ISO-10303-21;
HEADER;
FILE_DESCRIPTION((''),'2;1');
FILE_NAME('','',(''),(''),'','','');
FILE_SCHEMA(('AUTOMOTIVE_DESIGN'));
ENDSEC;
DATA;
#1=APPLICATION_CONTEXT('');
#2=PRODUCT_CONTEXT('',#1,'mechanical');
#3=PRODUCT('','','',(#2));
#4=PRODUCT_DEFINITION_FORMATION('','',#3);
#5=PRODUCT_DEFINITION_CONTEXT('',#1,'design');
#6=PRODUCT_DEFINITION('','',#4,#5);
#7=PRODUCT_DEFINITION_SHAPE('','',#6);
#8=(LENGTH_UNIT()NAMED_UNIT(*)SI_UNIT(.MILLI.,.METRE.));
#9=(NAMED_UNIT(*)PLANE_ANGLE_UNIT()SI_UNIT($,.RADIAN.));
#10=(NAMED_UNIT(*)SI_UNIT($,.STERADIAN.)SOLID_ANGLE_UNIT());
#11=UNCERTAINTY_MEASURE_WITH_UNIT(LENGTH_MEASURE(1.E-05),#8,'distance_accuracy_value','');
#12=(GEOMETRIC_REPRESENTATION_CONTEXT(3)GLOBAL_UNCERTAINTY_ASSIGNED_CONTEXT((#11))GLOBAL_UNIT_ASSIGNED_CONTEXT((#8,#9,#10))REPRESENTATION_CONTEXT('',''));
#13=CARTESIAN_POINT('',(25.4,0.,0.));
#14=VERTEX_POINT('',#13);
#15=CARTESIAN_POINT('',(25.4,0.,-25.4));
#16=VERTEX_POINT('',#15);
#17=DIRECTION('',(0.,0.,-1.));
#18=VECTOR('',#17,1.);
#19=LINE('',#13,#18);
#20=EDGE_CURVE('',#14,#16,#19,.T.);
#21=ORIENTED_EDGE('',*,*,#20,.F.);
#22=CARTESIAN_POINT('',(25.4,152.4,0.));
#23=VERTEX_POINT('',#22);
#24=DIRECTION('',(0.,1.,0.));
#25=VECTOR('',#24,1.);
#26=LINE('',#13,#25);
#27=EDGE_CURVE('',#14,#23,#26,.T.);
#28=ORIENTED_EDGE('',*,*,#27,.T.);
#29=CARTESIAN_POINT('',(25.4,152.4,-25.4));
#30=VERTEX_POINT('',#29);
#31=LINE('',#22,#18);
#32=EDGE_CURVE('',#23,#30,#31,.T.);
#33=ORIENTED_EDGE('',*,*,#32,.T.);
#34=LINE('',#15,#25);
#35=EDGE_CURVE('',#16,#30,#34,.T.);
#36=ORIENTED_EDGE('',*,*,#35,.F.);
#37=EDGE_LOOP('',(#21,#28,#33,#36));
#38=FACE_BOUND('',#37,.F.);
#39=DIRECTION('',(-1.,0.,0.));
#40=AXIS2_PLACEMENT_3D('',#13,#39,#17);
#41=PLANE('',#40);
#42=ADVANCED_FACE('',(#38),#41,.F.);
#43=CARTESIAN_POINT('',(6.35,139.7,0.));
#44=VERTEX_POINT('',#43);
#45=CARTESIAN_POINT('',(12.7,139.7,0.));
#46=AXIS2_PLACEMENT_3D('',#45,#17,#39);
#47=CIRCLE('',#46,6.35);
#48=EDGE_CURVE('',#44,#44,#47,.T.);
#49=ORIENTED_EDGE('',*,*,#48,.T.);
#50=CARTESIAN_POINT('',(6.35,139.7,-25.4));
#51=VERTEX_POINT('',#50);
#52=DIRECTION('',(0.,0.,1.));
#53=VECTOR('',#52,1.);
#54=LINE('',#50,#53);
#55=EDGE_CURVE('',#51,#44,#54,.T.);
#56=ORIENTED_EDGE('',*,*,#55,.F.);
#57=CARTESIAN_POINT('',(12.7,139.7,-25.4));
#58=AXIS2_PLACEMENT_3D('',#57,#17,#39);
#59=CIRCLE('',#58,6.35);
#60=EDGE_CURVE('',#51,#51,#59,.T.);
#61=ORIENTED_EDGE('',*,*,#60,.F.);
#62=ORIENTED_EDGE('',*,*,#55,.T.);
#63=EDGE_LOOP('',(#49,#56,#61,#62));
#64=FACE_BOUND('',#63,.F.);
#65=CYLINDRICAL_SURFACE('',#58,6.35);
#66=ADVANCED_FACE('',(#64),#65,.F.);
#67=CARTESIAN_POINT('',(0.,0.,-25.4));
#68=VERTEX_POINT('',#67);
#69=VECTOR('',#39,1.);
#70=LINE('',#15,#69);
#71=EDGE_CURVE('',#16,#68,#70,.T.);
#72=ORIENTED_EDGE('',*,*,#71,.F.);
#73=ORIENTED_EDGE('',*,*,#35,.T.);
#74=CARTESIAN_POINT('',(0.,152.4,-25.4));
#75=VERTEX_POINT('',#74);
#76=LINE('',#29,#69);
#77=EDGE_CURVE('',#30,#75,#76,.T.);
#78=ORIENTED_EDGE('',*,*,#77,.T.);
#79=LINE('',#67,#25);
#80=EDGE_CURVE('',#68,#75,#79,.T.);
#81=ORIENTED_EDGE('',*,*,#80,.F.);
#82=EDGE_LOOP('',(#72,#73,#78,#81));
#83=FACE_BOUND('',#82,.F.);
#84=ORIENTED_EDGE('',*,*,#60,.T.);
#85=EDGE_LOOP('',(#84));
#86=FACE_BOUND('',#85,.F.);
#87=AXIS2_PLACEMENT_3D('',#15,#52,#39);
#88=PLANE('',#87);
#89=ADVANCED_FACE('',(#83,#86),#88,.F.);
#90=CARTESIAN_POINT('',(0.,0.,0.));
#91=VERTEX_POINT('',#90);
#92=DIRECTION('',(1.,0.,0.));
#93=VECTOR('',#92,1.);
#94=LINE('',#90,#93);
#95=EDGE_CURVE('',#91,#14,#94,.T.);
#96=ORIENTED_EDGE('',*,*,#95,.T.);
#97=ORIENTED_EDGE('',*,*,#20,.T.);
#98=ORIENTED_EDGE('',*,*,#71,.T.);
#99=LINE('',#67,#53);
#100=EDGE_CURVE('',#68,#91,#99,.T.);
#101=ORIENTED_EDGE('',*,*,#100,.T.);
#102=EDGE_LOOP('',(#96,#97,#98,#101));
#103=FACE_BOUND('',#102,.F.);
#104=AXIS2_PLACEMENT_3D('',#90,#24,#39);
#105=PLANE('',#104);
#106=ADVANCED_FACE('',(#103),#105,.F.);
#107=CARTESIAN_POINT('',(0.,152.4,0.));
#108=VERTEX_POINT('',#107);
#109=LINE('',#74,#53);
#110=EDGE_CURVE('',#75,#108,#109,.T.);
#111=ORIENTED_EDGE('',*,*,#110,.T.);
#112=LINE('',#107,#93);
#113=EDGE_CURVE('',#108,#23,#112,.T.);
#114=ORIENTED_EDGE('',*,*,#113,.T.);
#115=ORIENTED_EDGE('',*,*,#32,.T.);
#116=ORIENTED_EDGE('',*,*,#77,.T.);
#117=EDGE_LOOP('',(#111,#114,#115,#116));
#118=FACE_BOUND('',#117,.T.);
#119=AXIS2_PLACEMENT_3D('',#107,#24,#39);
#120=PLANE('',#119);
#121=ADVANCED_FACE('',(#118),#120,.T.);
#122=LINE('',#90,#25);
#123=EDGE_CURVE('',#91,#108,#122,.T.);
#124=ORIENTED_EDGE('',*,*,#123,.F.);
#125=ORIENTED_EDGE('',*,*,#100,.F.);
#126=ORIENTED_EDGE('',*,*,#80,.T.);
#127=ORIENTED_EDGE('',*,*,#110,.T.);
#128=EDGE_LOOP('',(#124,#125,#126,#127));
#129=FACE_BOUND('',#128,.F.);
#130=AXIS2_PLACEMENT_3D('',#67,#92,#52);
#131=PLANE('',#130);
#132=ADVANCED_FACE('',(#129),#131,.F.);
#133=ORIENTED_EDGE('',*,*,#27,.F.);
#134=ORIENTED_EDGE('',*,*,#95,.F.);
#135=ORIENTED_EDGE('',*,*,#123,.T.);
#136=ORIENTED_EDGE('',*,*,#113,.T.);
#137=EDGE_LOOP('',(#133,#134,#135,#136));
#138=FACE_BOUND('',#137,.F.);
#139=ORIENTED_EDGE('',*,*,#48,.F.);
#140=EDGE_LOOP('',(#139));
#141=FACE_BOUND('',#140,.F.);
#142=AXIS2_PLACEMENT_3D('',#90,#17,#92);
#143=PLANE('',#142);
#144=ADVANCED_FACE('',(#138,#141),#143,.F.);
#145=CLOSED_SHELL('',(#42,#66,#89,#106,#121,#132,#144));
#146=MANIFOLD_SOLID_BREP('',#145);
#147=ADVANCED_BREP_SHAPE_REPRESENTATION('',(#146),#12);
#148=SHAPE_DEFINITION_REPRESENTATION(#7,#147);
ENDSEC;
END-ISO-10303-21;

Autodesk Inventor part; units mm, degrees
ref_plane "YZ Plane" through (0, 0, 0) normal (1, 0, 0) x (0, 1, 0)
ref_plane "XZ Plane" through (0, 0, 0) normal (0, 1, 0) x (-1, 0, 0)
ref_plane "XY Plane" through (0, 0, 0) normal (0, 0, 1) x (1, 0, 0)
sketch "Sketch1" plane through (0, 0, 0) normal (0, 1, 0) x (-1, 0, 0)
  line L0 (0, 0) -> (-25.4, 0)
  line L1 (-25.4, 0) -> (-25.4, -25.4)
  line L2 (-25.4, -25.4) -> (0, -25.4)
  line L3 (0, -25.4) -> (0, 0)
  dimension "d0" = 25.4
  dimension "d1" = 25.4
extrude "Extrusion1" add sketch "Sketch1" along normal blind 152.4
sketch "Sketch2" plane through (25.4, 0, -25.4) normal (0, 0, -1) x (-1, 0, 0)
  circle A0 centre (12.7, 139.7) radius 6.35
  line L0 (0, 0) -> (0, 152.4) projected
  line L1 (0, 152.4) -> (25.4, 152.4) projected
  point P0 (25.4, 0)
  dimension "d4" = 12.7
  dimension "d5" = 12.7
  dimension "d6" = 12.7
extrude "Extrusion2" cut sketch "Sketch2" against normal blind 152.4
properties material "Aluminum 6061"
